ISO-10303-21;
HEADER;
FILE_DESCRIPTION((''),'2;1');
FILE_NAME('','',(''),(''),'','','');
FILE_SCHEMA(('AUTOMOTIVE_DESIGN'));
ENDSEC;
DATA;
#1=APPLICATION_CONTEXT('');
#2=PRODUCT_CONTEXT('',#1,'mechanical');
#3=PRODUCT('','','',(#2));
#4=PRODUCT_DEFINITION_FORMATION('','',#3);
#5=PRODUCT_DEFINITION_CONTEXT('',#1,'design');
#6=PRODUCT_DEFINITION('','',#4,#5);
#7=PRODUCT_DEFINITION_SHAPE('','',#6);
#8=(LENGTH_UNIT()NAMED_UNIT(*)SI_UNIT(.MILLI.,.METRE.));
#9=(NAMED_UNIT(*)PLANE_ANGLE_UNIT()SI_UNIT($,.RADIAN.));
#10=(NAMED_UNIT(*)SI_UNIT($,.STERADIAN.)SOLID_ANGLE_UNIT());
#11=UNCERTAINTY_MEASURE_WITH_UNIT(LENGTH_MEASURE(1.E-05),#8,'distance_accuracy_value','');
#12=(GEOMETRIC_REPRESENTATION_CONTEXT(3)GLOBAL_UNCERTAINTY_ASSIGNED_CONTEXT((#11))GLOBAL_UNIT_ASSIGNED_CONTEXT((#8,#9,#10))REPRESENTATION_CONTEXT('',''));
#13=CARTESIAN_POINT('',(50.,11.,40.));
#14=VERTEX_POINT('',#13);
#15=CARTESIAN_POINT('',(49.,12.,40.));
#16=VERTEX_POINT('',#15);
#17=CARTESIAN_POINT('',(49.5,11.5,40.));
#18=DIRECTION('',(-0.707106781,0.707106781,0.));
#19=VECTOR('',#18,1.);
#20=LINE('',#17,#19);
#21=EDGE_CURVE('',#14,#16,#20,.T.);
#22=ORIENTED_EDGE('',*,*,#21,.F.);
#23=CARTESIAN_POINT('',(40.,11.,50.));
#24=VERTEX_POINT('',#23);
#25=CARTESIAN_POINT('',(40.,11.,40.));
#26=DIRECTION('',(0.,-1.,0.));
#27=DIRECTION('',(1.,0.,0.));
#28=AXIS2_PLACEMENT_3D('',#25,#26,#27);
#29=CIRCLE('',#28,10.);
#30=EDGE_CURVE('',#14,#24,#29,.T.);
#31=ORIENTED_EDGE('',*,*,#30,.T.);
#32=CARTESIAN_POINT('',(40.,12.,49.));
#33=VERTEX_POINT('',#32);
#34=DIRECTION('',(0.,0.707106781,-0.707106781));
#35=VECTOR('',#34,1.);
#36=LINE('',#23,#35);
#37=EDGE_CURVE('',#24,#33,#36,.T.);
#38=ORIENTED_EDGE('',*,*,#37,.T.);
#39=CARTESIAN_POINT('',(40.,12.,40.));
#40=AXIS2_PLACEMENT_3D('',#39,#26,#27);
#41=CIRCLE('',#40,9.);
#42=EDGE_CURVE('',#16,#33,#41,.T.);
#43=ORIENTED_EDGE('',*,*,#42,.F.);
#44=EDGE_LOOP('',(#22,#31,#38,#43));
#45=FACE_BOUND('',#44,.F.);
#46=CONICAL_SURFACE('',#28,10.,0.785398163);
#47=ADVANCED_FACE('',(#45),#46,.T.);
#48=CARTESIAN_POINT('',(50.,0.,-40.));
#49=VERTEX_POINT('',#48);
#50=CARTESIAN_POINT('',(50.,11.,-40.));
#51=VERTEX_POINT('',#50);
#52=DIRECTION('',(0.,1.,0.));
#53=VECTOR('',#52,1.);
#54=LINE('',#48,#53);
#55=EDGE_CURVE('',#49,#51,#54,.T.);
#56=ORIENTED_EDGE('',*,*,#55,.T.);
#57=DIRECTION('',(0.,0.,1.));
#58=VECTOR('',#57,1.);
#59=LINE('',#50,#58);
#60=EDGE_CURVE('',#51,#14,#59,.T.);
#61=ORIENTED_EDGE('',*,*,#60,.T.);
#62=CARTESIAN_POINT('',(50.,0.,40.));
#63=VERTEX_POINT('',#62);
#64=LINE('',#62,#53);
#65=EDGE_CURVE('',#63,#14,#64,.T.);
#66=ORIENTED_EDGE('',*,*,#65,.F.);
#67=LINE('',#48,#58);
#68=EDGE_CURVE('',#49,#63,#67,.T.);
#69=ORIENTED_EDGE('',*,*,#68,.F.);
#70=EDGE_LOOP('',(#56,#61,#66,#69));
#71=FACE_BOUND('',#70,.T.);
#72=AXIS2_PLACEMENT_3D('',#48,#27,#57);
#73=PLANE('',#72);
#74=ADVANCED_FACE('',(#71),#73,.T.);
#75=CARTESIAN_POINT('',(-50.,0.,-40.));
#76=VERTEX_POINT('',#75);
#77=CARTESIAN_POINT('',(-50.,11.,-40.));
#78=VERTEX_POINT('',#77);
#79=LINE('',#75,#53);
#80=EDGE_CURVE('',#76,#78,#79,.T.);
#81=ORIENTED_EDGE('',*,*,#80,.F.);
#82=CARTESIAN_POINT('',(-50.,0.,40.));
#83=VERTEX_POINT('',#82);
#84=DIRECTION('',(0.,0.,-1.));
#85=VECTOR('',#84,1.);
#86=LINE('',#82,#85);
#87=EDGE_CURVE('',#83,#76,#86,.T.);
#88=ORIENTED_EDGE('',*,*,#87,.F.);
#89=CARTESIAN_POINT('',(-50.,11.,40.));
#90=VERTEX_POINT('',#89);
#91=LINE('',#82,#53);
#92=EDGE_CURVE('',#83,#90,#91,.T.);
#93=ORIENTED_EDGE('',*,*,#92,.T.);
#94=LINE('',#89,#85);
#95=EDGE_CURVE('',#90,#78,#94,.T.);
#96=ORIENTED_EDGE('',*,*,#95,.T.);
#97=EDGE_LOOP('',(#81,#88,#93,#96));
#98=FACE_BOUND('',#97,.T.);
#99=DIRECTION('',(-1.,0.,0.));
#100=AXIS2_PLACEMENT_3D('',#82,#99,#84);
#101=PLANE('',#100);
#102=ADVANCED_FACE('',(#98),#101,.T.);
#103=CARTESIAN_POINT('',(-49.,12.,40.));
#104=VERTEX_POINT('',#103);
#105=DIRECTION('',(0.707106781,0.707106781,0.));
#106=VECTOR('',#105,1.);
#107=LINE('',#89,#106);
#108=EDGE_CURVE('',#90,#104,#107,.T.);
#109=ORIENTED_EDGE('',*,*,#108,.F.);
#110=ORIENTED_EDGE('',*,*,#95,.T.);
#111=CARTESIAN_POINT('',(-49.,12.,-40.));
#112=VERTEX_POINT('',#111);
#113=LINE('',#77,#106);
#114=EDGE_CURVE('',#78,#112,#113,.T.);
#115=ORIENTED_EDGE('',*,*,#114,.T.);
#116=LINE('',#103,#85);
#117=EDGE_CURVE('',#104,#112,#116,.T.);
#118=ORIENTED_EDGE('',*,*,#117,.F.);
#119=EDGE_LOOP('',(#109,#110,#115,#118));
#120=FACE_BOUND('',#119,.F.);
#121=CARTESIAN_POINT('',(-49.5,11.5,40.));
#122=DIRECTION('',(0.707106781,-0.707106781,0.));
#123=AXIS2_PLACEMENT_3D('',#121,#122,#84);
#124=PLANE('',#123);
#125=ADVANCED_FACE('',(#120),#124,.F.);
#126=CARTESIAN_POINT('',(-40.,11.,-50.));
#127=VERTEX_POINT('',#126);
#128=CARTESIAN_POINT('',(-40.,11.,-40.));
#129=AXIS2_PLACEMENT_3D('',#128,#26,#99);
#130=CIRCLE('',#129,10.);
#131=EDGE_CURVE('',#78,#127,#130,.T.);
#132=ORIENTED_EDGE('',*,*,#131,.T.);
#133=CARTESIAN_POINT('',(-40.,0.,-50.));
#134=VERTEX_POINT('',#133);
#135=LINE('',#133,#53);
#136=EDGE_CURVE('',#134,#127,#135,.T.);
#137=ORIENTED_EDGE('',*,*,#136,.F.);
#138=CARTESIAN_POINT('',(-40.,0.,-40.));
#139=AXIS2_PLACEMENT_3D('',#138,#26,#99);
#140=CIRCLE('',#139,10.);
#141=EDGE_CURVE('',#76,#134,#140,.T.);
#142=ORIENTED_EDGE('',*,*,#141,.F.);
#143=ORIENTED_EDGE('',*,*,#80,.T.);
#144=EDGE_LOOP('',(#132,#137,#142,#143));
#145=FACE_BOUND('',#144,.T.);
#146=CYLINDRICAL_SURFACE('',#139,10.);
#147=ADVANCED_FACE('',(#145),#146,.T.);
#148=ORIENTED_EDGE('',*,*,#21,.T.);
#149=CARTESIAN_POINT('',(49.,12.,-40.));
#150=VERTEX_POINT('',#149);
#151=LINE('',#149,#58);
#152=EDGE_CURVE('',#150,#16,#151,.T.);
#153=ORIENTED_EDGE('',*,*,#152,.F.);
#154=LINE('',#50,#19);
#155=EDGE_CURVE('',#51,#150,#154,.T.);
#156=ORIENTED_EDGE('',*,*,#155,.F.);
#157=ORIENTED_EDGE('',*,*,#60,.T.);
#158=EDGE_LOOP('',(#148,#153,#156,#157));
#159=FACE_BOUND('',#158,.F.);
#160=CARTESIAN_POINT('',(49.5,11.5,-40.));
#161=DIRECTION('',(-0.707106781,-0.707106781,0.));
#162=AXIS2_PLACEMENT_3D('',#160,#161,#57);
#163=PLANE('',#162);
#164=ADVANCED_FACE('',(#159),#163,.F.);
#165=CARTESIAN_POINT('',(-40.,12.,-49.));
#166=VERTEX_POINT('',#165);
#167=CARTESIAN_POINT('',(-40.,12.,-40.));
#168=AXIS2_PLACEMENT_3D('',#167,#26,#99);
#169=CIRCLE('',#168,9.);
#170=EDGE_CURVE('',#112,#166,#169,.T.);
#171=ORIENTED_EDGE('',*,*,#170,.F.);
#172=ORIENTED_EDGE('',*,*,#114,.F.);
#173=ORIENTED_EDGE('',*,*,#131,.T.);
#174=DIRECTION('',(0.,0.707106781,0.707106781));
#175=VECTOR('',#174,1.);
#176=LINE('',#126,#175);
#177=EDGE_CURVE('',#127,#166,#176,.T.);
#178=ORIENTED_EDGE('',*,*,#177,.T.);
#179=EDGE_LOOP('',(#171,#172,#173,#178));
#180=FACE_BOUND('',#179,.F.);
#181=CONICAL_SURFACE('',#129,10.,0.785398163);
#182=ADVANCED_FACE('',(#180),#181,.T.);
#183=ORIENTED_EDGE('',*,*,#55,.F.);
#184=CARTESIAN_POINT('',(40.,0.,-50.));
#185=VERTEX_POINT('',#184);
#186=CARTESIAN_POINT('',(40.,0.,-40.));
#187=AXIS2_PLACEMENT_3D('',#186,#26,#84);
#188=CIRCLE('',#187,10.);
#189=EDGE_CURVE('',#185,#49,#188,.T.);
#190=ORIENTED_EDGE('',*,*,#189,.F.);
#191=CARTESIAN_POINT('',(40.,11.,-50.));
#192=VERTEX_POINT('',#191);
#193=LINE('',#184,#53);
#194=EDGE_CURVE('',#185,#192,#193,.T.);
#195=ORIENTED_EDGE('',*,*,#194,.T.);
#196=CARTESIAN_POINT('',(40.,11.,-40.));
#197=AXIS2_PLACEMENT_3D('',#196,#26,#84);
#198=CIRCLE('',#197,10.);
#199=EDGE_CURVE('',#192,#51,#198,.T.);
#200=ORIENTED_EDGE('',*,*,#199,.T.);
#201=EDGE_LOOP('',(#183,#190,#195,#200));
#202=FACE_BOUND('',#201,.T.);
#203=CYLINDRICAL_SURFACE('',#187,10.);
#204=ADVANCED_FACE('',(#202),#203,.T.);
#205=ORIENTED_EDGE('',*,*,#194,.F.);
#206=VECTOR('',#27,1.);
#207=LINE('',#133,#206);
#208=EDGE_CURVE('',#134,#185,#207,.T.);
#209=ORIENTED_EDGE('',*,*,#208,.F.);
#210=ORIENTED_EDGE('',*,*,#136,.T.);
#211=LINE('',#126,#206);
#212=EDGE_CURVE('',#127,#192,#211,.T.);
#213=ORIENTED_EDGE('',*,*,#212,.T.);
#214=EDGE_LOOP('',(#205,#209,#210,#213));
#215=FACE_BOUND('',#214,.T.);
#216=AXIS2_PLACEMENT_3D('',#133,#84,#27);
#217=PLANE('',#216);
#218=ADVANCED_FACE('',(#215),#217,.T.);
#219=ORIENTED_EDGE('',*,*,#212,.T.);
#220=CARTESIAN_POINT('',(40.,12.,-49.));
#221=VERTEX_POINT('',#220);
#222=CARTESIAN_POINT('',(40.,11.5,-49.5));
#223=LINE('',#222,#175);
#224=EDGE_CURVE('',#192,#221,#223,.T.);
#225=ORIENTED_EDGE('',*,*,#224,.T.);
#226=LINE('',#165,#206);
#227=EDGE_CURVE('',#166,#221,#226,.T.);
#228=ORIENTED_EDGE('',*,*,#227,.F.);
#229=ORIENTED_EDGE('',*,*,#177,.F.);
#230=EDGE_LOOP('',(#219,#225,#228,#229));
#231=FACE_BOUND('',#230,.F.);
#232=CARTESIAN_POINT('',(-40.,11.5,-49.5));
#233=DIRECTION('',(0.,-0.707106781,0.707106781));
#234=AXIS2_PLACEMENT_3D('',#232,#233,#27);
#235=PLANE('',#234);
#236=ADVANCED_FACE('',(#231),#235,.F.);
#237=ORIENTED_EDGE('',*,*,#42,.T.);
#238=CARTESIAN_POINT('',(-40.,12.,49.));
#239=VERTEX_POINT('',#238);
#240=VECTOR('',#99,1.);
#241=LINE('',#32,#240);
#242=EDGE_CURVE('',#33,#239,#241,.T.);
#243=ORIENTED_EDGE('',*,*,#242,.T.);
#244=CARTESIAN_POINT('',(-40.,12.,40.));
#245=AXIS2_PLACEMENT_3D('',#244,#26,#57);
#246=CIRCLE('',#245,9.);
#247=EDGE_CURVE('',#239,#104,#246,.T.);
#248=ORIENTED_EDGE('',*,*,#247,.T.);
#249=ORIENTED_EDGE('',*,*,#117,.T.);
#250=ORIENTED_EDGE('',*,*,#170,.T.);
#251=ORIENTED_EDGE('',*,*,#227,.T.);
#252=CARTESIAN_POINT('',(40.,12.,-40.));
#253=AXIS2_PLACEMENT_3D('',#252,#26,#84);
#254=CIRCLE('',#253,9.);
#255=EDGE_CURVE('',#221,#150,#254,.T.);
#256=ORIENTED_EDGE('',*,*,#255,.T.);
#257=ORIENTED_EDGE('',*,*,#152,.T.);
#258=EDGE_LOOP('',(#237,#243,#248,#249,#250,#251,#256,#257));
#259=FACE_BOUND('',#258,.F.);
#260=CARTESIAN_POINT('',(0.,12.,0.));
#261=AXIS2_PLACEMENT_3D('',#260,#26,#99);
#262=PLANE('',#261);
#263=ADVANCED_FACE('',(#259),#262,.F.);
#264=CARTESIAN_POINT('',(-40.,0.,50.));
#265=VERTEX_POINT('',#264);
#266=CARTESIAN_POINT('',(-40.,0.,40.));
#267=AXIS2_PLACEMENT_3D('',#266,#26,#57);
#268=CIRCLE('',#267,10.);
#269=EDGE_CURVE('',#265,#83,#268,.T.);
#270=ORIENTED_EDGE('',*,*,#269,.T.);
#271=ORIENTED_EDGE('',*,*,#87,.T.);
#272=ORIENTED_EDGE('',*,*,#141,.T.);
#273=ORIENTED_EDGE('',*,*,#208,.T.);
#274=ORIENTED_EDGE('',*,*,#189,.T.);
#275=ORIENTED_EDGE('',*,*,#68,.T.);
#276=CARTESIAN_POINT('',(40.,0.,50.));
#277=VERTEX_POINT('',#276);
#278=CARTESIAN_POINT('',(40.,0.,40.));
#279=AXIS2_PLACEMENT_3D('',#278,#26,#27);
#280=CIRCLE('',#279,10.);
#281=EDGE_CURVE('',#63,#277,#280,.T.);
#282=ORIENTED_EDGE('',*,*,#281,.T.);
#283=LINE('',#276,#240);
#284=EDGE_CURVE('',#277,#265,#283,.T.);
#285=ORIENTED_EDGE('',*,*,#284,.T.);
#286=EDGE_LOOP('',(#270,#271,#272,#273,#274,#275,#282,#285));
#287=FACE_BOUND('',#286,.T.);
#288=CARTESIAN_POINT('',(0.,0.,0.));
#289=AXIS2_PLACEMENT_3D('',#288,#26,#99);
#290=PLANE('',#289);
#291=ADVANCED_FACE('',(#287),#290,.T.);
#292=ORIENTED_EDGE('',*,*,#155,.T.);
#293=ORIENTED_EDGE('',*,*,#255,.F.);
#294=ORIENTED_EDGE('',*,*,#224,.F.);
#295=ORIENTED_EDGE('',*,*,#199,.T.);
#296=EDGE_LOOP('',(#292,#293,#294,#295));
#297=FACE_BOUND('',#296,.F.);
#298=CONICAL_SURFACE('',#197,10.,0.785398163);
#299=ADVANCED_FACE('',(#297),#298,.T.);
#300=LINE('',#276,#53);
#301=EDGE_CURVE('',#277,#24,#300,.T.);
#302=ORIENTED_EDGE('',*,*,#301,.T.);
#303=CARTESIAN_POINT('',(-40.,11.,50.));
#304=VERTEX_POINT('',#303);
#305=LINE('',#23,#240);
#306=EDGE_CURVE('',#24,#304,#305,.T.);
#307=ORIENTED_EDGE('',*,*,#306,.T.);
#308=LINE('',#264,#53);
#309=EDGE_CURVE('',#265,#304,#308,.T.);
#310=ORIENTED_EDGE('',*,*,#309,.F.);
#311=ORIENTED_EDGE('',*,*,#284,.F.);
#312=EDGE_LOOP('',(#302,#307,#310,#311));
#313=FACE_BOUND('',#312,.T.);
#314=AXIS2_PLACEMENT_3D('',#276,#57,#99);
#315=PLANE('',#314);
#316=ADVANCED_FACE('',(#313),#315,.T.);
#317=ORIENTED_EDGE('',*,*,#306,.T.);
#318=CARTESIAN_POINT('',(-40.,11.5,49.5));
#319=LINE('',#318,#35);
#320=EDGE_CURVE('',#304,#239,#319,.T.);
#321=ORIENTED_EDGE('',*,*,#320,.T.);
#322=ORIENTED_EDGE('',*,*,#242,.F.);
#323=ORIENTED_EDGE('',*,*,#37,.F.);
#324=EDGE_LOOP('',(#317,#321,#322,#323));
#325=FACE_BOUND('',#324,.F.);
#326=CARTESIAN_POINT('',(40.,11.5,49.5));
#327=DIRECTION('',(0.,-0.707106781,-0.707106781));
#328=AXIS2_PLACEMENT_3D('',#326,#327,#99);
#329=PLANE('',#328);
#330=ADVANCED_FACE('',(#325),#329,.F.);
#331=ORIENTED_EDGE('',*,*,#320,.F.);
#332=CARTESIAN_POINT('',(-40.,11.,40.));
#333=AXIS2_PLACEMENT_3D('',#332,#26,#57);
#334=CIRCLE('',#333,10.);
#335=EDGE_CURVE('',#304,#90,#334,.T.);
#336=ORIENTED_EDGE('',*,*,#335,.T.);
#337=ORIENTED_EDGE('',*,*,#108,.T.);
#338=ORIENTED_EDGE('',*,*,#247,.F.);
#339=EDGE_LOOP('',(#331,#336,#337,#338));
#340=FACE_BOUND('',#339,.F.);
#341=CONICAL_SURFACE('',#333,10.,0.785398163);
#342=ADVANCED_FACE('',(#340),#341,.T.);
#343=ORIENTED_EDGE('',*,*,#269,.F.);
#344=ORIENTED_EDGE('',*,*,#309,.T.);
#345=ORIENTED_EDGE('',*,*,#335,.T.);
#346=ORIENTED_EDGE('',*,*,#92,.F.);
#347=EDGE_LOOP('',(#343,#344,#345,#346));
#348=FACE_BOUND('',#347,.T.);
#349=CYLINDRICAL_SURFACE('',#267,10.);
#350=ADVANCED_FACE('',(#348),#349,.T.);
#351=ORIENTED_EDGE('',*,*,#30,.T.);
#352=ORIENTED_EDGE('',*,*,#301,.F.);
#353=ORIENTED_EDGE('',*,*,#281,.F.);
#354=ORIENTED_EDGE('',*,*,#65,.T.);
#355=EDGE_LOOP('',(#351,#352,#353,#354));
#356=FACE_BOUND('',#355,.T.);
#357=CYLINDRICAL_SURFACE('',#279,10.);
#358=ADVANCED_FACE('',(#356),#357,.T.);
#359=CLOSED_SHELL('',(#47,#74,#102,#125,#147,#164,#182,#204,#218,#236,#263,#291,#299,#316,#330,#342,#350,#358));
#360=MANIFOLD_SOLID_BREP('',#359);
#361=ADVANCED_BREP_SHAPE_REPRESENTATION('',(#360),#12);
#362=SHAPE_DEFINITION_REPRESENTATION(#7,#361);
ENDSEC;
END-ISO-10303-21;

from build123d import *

# Parameters (mm, degrees)
SALIENTE_EXTRUIR1_DEPTH = 12
CHAFL_N1_SIZE           = 1


with BuildPart() as part:
    # Croquis2 → Saliente-Extruir1 (new body)
    with BuildSketch(Plane(origin=(0, 0, 0), x_dir=(1, 0, 0), z_dir=(0, 1, 0))):
        with BuildLine():
            Line((-40, 50), (40, 50))
            ThreePointArc((40, 50), (47.071067812, 47.071067812), (50, 40))
            Line((50, 40), (50, -40))
            ThreePointArc((50, -40), (47.071067812, -47.071067812), (40, -50))
            Line((40, -50), (-40, -50))
            ThreePointArc((-40, -50), (-47.071067812, -47.071067812), (-50, -40))
            Line((-50, -40), (-50, 40))
            ThreePointArc((-50, 40), (-47.071067812, 47.071067812), (-40, 50))
        make_face()
    extrude(amount=SALIENTE_EXTRUIR1_DEPTH)

    # Chaflán1
    chafl_n1_edges = [part.edges().sort_by_distance(p)[0] for p in [
        (-47.071067812, 12, -47.071067812),
        (-50, 12, 0),
        (-47.071067812, 12, 47.071067812),
        (0, 12, 50),
        (47.071067812, 12, 47.071067812),
        (50, 12, 0),
        (47.071067812, 12, -47.071067812),
        (0, 12, -50),
    ]]
    chamfer(chafl_n1_edges, length=CHAFL_N1_SIZE)


solid = part.part
